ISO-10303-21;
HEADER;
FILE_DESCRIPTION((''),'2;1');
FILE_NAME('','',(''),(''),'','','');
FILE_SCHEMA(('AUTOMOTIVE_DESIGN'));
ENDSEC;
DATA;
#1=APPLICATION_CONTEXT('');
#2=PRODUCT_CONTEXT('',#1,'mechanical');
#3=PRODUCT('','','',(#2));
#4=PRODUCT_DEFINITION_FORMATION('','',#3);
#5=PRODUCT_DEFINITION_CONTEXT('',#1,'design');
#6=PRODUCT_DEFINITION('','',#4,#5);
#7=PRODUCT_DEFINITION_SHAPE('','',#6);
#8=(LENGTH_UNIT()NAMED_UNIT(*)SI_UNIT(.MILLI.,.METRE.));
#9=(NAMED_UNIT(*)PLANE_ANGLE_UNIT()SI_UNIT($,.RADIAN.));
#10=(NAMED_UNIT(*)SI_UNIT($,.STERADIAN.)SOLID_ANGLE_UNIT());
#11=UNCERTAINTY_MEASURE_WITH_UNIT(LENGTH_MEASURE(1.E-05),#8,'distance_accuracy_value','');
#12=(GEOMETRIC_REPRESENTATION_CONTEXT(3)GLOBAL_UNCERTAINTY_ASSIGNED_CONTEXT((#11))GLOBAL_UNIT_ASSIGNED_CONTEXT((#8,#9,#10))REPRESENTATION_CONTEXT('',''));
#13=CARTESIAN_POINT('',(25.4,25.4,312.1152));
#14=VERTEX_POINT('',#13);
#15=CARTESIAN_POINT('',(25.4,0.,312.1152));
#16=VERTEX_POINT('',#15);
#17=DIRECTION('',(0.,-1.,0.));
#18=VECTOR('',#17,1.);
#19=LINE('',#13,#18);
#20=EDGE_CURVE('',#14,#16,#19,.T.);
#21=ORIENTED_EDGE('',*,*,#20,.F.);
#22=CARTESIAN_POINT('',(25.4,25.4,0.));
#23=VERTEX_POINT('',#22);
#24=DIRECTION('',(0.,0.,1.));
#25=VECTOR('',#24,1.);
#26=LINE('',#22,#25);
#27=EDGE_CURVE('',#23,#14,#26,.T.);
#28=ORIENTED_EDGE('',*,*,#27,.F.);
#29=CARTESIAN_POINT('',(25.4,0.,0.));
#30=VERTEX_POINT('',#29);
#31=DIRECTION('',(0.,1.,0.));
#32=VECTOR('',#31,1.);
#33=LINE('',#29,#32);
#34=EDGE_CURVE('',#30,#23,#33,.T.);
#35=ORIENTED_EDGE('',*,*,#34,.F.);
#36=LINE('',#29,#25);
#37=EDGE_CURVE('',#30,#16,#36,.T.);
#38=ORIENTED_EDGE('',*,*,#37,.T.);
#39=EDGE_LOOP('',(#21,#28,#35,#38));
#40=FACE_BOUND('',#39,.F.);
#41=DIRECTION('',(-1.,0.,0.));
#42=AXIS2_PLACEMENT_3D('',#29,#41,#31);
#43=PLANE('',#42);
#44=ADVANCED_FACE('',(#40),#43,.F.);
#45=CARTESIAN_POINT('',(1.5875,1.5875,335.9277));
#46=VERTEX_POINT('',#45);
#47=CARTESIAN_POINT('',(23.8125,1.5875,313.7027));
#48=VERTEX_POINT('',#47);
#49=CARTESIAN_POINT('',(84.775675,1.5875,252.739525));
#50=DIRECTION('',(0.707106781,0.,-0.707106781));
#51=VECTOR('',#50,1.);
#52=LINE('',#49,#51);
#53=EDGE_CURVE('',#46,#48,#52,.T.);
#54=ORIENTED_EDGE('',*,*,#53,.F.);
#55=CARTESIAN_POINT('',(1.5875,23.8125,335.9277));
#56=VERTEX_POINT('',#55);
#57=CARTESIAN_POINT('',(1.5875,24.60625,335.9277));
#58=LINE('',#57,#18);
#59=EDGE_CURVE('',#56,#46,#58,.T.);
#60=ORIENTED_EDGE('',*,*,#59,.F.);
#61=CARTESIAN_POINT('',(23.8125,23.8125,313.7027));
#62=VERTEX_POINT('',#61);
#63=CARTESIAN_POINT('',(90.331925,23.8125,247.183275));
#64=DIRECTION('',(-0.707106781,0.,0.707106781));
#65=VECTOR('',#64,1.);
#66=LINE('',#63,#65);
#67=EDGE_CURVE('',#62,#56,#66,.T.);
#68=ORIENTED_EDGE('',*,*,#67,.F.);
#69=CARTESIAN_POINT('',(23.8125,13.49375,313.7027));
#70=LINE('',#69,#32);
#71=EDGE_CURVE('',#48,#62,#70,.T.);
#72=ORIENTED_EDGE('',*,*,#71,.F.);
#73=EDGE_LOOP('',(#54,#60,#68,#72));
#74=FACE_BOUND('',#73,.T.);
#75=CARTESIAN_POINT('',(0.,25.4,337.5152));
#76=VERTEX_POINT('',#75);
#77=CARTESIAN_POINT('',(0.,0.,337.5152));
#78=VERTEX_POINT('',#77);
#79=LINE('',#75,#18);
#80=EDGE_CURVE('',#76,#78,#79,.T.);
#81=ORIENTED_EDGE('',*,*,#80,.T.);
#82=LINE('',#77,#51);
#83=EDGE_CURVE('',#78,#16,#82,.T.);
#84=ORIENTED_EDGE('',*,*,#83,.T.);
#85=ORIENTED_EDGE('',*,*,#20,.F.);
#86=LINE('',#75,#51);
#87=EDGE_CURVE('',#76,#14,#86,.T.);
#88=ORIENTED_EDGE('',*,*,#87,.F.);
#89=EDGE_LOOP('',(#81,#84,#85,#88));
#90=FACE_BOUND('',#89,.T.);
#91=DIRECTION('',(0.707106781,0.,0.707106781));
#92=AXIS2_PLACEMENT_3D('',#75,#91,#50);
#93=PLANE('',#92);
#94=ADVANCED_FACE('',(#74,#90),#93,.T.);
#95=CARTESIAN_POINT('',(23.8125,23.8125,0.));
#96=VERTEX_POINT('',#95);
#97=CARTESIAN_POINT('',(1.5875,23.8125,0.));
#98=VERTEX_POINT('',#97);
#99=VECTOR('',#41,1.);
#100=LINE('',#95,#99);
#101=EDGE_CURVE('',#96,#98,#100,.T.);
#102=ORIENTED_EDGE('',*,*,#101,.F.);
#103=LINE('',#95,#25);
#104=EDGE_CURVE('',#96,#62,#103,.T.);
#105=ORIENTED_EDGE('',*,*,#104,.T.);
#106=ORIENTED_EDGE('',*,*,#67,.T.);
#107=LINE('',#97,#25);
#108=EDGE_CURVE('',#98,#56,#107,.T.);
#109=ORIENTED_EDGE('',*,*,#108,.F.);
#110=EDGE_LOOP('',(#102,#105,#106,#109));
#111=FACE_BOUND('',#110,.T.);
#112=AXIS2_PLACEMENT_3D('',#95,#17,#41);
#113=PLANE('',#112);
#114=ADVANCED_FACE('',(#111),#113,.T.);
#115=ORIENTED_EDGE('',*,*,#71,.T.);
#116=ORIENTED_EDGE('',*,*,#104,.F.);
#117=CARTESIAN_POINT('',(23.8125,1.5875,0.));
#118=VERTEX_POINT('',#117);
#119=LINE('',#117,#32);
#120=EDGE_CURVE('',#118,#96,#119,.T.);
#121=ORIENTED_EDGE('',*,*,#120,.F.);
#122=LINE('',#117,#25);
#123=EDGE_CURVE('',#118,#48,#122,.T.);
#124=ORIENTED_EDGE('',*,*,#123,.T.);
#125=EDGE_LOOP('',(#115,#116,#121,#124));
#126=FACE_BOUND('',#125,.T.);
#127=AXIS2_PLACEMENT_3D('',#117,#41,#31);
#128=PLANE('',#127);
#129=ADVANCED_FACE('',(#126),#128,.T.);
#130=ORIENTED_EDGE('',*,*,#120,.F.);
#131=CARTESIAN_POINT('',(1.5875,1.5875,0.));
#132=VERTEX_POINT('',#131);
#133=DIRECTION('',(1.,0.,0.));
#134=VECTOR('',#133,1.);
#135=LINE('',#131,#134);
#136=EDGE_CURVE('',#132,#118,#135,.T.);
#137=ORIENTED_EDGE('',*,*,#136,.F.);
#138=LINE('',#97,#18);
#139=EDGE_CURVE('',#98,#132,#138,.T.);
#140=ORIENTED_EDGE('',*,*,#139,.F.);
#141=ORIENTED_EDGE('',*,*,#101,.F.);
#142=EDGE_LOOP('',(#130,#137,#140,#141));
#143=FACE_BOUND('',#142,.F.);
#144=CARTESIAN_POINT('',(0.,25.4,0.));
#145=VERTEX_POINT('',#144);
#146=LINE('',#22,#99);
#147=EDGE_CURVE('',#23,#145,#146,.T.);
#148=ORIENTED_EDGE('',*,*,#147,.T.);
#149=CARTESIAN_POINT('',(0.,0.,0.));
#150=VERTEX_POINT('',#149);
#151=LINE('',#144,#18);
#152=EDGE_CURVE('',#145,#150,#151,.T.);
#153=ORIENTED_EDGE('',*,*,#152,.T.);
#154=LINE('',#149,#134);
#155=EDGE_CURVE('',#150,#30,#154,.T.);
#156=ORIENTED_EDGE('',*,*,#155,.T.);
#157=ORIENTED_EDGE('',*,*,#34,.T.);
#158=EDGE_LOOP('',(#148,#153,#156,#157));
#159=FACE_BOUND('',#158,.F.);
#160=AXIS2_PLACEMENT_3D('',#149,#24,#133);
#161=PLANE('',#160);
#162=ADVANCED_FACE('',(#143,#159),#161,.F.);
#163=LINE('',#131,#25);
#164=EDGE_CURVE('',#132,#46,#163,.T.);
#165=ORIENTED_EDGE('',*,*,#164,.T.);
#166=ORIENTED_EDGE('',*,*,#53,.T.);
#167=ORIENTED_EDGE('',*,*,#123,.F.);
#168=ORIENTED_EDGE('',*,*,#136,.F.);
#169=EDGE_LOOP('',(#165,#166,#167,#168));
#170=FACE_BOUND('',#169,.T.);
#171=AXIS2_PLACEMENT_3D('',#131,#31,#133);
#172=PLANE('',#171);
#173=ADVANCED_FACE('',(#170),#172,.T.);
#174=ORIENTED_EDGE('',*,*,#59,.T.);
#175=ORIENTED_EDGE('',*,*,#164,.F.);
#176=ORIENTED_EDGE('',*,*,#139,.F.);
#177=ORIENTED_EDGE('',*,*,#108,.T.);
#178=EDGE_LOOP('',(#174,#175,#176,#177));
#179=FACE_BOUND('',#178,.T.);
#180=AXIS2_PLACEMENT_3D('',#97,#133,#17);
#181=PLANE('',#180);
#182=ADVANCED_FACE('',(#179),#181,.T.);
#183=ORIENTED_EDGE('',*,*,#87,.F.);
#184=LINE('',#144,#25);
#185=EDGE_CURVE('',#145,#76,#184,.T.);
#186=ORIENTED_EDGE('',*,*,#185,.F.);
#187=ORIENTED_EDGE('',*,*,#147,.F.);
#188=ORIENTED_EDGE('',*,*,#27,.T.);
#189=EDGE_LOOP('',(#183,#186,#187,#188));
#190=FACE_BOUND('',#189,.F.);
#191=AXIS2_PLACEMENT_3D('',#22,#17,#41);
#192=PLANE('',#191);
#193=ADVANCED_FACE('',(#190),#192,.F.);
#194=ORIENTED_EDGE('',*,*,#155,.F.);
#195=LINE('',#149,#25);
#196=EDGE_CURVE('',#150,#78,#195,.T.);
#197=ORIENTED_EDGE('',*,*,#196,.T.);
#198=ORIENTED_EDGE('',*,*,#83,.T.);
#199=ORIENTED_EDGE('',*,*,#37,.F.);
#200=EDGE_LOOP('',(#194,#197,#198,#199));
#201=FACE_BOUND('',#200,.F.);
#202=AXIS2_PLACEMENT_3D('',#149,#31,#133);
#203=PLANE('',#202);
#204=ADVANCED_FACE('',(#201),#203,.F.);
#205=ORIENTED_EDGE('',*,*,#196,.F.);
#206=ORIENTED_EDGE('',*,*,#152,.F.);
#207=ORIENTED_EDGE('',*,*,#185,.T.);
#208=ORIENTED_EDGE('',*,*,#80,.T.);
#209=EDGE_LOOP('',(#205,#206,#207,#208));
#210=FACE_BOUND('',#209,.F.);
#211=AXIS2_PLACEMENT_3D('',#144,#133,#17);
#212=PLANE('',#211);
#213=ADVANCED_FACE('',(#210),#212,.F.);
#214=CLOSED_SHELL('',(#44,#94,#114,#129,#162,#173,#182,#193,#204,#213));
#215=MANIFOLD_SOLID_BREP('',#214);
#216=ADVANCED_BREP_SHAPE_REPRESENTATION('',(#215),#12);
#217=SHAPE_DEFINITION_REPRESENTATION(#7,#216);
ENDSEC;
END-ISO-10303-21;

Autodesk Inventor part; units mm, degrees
ref_plane "YZ Plane" through (0, 0, 0) normal (1, 0, 0) x (0, 1, 0)
ref_plane "XZ Plane" through (0, 0, 0) normal (0, 1, 0) x (-1, 0, 0)
ref_plane "XY Plane" through (0, 0, 0) normal (0, 0, 1) x (1, 0, 0)
sketch "Sketch1" plane through (0, 0, 0) normal (0, 0, 1) x (1, 0, 0)
  line L0 (0, 0) -> (25.4, 0)
  line L1 (25.4, 0) -> (25.4, 25.4)
  line L2 (25.4, 25.4) -> (0, 25.4)
  line L3 (0, 25.4) -> (0, 0)
  line L4 (1.5875, 1.5875) -> (23.8125, 1.5875)
  line L5 (23.8125, 1.5875) -> (23.8125, 23.8125)
  line L6 (23.8125, 23.8125) -> (1.5875, 23.8125)
  line L7 (1.5875, 23.8125) -> (1.5875, 1.5875)
  dimension "d0" = 25.4
  dimension "d1" = 25.4
  dimension "d2" = 1.5875
extrude "Extrusion1" add sketch "Sketch1" along normal blind 337.5152
sketch "Sketch3" plane through (0, 25.4, 0) normal (0, 1, 0) x (1, 0, 0)
  line L0 (0, -337.5152) -> (25.4, -312.1152)
  line L1 (25.4, -312.1152) -> (25.4, -337.5152)
  line L2 (0, -337.5152) -> (25.4, -337.5152) projected
  line L3 (25.4, -337.5152) -> (0, -337.5152)
  line L4 (25.4, 0) -> (25.4, -337.5152) projected
  point P0 (0, 0)
  dimension "d8" = 25.4
extrude "Extrusion3" cut sketch "Sketch3" against normal blind 25.4
properties part number "SUP_014_HALFMiddle ConnectorBar" material "Aluminum 6061"
